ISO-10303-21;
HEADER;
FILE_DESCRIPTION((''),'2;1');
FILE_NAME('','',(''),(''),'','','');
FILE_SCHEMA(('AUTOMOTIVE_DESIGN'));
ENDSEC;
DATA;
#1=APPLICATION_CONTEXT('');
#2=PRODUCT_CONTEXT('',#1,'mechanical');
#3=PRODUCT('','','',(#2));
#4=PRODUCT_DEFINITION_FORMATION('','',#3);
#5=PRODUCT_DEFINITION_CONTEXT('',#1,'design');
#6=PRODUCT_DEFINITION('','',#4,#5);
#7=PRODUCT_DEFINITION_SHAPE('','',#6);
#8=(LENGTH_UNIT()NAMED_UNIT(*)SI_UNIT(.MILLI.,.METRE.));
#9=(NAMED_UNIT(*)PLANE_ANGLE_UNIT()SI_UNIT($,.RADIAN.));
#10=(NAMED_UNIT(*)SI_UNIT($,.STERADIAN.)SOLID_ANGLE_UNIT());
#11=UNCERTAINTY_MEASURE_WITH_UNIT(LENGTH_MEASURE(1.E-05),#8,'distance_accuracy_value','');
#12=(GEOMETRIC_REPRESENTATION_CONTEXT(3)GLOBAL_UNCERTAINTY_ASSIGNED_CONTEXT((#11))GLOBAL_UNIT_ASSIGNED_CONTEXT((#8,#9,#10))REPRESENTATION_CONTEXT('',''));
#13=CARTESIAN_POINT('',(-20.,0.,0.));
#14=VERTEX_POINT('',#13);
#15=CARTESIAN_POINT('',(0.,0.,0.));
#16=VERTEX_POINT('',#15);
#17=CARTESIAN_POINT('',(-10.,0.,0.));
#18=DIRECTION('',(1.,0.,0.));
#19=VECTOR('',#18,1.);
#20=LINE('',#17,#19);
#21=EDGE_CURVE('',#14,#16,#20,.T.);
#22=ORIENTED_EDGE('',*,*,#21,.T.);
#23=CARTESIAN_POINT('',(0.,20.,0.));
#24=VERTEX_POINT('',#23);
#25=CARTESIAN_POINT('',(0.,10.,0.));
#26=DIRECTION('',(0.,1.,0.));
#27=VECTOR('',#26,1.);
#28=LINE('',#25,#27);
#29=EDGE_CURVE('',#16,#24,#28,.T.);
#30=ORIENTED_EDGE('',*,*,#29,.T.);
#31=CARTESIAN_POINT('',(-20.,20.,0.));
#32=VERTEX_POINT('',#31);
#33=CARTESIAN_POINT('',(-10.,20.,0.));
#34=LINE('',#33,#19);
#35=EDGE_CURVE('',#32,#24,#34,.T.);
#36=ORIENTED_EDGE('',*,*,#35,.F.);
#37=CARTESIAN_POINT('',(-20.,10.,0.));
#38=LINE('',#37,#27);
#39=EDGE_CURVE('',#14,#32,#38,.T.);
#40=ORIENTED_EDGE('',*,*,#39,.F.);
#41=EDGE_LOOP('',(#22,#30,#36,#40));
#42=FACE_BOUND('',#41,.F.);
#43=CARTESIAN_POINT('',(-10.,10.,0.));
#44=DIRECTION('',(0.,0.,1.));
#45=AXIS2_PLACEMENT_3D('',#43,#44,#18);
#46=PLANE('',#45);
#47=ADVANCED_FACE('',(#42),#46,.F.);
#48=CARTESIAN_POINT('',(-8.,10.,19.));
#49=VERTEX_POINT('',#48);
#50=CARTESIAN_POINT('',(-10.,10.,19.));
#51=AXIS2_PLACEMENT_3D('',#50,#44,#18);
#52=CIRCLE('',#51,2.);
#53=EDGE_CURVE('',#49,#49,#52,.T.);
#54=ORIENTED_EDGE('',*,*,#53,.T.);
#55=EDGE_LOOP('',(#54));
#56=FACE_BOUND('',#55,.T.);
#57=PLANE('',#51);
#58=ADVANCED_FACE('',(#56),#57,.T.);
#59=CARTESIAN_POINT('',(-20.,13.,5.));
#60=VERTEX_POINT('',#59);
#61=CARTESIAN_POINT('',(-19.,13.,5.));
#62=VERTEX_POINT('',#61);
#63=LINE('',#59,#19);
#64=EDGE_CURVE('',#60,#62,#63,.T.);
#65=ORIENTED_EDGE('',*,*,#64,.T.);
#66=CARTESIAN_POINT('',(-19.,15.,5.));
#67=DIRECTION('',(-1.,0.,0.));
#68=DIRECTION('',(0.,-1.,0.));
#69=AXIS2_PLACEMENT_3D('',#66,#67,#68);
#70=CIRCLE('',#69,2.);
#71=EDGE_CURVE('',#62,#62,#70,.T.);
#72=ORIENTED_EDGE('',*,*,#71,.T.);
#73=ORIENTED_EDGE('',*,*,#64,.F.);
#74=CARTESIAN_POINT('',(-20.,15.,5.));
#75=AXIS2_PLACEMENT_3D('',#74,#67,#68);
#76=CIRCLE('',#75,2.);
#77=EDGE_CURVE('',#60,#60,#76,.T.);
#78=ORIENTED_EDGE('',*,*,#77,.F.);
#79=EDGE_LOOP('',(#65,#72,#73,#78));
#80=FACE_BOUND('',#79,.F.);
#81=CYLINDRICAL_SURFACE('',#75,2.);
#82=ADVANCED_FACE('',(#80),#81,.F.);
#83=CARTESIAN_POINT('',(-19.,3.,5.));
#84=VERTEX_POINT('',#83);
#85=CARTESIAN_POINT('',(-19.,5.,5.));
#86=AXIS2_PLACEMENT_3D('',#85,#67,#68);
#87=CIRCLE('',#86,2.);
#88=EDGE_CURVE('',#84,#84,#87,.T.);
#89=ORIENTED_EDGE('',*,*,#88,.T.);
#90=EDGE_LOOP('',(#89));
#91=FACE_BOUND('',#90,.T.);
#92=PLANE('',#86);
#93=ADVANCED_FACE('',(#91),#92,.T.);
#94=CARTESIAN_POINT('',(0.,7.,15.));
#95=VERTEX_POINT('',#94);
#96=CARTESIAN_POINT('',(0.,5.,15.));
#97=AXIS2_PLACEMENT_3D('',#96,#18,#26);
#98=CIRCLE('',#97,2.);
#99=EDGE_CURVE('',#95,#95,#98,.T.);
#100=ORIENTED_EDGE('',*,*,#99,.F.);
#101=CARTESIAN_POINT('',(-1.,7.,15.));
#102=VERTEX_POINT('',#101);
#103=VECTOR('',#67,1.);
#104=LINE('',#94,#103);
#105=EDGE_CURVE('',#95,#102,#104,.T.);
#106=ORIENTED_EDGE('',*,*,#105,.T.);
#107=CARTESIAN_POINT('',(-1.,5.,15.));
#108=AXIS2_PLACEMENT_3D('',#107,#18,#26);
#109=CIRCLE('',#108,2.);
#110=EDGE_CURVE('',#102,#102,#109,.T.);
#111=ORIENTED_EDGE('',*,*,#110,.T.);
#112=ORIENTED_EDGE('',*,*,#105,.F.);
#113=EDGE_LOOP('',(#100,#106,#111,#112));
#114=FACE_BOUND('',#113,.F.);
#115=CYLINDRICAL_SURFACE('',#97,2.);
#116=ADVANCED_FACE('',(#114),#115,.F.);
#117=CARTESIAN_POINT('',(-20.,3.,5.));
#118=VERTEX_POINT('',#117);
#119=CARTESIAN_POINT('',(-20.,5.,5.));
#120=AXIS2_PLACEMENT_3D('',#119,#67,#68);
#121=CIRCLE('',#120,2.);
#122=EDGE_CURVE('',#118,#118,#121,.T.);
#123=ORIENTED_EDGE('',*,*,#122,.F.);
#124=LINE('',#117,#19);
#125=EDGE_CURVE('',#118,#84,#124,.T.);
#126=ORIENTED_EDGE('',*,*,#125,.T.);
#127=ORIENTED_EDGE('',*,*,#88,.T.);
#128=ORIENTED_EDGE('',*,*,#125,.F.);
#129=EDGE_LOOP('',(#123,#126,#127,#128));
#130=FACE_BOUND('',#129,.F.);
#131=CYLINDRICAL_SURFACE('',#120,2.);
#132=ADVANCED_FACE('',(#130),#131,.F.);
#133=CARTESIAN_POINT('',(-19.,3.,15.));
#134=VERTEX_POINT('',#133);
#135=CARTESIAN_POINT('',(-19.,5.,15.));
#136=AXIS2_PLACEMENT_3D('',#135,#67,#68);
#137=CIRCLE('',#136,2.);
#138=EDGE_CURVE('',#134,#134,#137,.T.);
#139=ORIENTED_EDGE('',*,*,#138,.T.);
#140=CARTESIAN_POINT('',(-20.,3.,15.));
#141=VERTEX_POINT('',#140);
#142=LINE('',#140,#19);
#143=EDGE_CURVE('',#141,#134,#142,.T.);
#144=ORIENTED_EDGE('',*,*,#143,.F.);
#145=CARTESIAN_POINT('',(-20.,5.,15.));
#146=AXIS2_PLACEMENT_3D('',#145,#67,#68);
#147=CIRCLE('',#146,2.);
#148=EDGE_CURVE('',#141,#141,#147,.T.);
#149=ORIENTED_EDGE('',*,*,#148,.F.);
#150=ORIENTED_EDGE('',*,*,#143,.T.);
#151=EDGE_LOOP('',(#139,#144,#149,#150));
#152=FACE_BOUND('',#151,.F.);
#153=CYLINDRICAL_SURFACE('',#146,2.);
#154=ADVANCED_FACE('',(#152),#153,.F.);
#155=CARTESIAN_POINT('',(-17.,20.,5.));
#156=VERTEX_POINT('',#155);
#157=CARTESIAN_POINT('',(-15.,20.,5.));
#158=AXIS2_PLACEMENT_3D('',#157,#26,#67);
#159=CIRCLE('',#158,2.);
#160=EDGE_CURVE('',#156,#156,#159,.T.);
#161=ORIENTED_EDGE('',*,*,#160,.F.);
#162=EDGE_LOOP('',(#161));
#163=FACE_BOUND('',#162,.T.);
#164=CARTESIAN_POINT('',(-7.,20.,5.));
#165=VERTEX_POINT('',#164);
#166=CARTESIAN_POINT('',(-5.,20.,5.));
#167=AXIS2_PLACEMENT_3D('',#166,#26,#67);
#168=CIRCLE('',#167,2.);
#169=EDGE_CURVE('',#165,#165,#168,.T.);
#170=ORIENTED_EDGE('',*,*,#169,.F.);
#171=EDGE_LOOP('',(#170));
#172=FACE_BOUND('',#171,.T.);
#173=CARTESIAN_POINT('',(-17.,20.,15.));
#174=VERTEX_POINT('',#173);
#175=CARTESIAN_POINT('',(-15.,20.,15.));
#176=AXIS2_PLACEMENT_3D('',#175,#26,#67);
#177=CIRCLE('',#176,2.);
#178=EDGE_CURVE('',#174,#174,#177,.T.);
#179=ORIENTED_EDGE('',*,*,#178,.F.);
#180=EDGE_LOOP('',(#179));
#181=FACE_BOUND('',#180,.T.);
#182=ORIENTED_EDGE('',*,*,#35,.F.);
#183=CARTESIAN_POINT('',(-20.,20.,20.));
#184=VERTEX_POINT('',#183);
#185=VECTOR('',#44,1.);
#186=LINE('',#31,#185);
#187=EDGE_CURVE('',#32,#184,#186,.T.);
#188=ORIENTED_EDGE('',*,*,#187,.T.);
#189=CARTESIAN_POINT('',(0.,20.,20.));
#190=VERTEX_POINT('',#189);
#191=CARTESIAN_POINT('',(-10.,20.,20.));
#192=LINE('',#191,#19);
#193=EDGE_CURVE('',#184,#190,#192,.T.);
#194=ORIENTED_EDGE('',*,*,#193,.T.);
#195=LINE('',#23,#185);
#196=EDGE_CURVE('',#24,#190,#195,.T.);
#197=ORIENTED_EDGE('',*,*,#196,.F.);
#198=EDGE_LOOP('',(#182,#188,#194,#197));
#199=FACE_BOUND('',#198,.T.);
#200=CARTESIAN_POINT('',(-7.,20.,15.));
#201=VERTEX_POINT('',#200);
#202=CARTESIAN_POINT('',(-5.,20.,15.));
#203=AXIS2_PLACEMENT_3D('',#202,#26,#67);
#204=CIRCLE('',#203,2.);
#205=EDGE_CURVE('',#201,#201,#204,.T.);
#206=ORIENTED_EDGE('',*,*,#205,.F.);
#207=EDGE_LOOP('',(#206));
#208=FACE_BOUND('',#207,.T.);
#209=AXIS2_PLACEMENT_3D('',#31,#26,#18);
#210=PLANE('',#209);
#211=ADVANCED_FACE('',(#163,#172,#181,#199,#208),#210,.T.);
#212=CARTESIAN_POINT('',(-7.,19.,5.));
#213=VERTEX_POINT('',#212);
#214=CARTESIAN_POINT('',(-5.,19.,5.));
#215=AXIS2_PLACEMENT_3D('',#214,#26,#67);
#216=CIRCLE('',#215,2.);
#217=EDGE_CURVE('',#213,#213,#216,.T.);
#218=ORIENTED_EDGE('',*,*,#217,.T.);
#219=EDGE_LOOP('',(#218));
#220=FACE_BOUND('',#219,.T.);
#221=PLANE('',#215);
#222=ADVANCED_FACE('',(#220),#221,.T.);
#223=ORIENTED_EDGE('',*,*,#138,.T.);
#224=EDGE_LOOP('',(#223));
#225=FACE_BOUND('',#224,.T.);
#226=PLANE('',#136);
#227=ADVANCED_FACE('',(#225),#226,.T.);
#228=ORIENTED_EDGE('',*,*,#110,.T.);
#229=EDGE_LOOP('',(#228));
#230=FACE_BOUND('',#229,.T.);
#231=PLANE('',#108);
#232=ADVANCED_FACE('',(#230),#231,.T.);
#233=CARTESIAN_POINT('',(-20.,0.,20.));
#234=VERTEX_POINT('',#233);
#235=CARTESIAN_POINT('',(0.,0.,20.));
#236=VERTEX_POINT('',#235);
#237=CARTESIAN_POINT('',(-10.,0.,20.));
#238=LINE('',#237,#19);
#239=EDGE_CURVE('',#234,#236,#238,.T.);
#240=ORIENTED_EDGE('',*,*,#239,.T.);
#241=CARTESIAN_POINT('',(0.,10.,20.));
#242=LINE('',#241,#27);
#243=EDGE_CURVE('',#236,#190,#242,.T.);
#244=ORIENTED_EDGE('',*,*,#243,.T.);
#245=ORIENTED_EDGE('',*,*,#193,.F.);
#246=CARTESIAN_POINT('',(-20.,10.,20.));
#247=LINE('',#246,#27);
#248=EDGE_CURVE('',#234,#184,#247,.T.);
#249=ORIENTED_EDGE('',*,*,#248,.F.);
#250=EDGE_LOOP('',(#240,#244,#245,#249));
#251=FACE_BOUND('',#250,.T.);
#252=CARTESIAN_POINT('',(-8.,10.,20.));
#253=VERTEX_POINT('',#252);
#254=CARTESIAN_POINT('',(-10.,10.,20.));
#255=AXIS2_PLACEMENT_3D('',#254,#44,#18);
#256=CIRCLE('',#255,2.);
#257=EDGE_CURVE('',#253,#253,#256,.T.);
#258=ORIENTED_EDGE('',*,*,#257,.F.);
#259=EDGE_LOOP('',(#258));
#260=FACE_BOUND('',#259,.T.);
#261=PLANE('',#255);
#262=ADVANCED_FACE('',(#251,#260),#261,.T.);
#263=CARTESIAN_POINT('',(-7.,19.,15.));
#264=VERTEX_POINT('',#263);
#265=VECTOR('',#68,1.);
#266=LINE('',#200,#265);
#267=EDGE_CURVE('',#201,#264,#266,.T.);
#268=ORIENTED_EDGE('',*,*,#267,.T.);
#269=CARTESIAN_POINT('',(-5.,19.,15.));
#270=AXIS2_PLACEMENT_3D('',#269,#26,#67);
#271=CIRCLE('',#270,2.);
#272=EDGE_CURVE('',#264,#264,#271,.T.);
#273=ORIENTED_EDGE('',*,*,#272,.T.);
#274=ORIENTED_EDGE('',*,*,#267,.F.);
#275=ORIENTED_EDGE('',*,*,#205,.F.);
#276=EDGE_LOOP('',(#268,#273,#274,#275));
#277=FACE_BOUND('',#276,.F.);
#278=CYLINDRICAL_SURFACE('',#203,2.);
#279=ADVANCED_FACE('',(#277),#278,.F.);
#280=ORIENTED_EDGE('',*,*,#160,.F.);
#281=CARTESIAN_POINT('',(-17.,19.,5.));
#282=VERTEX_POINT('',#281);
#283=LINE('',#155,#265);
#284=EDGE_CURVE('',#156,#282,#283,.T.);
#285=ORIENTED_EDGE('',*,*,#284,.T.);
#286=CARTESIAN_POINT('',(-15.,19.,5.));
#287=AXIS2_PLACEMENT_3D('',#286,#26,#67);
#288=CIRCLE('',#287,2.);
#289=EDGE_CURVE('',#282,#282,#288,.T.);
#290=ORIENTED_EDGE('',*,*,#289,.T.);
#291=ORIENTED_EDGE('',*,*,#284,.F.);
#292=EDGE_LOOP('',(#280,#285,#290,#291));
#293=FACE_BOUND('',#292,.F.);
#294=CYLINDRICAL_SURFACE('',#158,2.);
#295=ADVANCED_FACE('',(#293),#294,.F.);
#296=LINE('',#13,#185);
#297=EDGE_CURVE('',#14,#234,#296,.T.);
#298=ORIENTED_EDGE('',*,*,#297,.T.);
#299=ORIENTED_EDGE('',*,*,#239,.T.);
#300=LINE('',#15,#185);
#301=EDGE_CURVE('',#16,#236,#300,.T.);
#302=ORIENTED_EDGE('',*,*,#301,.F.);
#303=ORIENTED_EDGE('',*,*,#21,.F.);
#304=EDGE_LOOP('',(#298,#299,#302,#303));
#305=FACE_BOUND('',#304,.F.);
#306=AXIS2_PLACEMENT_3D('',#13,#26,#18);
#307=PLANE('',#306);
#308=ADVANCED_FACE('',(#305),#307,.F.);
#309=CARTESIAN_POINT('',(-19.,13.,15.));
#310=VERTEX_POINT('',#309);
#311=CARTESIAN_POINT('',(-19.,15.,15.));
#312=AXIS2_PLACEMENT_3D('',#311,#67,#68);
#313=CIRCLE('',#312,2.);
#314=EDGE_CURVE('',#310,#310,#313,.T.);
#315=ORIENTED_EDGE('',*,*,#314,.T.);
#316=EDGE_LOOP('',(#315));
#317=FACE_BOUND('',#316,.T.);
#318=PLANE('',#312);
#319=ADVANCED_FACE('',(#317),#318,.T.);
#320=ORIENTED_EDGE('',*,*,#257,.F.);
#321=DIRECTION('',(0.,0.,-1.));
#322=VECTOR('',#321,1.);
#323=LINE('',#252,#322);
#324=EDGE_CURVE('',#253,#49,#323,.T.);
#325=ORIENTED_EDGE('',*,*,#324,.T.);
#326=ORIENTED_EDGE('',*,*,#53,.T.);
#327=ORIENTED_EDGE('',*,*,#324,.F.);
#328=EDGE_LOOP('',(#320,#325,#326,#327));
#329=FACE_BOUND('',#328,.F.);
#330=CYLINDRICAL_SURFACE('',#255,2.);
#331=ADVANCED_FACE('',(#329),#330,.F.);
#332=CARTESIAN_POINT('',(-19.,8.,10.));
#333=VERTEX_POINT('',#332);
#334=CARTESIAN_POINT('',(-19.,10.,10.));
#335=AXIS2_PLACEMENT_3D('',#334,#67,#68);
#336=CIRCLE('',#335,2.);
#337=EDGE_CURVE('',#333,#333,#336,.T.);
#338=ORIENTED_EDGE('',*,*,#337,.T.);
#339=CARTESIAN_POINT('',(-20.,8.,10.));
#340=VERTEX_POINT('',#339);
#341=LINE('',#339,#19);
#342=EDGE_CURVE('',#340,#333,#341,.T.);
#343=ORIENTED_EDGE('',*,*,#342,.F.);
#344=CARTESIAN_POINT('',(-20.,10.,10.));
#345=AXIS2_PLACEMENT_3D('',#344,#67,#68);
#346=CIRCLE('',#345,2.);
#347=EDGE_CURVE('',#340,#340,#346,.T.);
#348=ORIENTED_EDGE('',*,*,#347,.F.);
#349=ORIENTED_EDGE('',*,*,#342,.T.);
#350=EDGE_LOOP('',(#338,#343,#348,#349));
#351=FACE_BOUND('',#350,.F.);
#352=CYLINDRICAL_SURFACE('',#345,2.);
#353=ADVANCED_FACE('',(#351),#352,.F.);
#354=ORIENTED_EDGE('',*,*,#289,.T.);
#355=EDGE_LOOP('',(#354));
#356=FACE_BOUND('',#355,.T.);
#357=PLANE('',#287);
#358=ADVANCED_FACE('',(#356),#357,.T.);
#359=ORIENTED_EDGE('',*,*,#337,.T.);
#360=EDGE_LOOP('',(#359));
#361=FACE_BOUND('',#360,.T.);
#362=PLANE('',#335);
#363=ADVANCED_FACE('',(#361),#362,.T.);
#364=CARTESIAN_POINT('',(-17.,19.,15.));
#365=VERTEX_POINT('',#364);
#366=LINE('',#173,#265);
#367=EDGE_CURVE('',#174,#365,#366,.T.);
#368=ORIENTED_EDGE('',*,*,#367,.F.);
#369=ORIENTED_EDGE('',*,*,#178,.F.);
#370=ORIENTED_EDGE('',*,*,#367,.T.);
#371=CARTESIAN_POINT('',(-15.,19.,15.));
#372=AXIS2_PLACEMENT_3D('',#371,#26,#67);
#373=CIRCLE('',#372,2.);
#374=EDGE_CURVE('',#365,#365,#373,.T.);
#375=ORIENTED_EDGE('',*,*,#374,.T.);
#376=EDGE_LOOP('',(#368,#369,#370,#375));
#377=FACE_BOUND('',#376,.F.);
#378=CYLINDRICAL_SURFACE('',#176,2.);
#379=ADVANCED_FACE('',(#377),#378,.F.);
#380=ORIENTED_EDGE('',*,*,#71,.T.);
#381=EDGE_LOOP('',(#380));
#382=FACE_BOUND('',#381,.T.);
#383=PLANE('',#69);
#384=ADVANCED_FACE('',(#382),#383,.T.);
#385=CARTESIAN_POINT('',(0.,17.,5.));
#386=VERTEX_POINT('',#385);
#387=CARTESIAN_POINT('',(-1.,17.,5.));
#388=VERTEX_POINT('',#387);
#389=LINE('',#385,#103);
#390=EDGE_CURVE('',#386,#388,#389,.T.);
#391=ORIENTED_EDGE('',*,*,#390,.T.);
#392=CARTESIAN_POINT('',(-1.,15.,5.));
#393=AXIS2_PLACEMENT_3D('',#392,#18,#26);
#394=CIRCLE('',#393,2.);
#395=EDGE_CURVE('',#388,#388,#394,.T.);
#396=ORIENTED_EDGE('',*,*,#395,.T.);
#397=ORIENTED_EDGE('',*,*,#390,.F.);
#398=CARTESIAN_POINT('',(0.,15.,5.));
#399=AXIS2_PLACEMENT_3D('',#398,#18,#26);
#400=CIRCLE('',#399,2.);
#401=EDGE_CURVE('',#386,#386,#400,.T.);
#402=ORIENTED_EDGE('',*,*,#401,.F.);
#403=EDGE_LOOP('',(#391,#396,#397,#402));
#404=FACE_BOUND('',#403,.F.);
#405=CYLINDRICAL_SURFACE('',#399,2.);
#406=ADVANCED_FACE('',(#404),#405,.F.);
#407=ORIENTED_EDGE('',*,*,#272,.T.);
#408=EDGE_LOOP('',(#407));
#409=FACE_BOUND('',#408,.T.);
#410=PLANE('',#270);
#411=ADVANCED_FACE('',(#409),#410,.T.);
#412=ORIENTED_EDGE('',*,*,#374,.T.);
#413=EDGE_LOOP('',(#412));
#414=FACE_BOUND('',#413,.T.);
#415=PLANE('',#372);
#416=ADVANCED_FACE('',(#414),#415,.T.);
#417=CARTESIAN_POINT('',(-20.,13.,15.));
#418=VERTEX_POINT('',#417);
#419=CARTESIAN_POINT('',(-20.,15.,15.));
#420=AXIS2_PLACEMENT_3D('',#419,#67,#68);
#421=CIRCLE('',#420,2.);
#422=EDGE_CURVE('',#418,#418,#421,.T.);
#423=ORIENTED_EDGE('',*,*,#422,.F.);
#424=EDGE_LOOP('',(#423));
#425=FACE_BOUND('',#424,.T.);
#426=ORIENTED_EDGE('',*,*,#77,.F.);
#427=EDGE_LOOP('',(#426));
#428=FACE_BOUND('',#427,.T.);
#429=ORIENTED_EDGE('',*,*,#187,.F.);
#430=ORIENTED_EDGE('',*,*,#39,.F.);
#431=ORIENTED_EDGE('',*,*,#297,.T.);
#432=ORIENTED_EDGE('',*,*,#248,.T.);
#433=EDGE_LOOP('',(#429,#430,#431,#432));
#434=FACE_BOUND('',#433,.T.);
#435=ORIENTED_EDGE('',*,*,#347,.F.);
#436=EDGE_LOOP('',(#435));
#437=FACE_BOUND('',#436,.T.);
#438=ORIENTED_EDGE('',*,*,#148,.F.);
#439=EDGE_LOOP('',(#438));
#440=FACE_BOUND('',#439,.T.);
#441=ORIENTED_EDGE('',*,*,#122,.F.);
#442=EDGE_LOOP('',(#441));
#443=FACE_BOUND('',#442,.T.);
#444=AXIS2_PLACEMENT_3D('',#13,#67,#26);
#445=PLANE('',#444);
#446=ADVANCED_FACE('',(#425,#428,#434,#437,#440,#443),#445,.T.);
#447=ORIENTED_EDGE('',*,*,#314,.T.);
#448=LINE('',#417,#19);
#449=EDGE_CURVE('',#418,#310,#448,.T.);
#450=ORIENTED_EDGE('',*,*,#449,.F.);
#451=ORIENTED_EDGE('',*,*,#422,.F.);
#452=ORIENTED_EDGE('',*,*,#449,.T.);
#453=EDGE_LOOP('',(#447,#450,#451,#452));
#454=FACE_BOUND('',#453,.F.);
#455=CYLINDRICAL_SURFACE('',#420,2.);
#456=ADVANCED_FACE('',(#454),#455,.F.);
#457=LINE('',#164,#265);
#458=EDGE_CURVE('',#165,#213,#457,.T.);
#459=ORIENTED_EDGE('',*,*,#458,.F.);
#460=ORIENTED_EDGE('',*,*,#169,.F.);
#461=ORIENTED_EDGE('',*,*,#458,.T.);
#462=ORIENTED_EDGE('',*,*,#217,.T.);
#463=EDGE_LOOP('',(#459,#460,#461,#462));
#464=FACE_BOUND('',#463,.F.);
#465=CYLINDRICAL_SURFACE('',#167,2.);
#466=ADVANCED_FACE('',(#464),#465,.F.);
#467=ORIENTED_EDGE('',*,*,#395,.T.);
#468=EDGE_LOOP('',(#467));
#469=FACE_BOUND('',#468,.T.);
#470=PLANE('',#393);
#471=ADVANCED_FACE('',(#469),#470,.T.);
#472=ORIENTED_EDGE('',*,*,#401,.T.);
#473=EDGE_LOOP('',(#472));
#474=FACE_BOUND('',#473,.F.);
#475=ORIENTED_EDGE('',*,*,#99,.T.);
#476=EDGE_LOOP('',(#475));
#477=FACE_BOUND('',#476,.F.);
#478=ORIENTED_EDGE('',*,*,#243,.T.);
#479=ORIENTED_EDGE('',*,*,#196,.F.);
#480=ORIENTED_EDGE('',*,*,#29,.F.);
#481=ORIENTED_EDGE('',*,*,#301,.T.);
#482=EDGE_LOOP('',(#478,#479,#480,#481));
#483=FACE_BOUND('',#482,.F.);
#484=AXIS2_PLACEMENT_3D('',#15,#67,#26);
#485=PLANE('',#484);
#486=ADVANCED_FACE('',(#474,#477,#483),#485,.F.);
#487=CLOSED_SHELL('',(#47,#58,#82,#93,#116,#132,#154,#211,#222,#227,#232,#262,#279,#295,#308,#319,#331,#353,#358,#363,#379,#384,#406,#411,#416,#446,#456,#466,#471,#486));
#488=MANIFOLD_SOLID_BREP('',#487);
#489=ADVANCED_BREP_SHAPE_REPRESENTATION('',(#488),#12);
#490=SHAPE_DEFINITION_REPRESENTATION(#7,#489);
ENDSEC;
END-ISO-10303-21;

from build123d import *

# Parameters (mm, degrees)
F0_W     = 20
F0_H     = 20
F1_DEPTH = 20
F2_R     = 2
F4_DEPTH = 1
F3_R     = 2
F5_DEPTH = 1
F6_R     = 2
F7_DEPTH = 1
F8_R     = 2
F9_DEPTH = 1


with BuildPart() as f1:
    # F0 (on Top) → F1 (new body)
    with BuildSketch(Plane.XY):
        with Locations((-10, 10)):
            Rectangle(F0_W, F0_H)
    extrude(amount=F1_DEPTH)

    # F2 (on face) → F4 (cut)
    with BuildSketch(Plane.XY.offset(20)):
        with Locations((-10, 10)):
            Circle(F2_R)
    extrude(amount=-F4_DEPTH, mode=Mode.SUBTRACT)

    # F3 (on face) → F5 (cut)
    with BuildSketch(Plane.YZ):
        with Locations((15, 5)):
            Circle(F3_R)
        with Locations((5, 15)):
            Circle(F3_R)
    extrude(amount=-F5_DEPTH, mode=Mode.SUBTRACT)

    # F6 (on face) → F7 (cut)
    with BuildSketch(Plane(origin=(0, 20, 0), x_dir=(-1, 0, 0), z_dir=(0, 1, 0))):
        with Locations((15, 5)):
            Circle(F6_R)
        with Locations((5, 5)):
            Circle(F6_R)
        with Locations((5, 15)):
            Circle(F6_R)
        with Locations((15, 15)):
            Circle(F6_R)
    extrude(amount=-F7_DEPTH, mode=Mode.SUBTRACT)

    # F8 (on face) → F9 (cut)
    with BuildSketch(Plane(origin=(-20, 0, 0), x_dir=(0, -1, 0), z_dir=(-1, 0, 0))):
        with Locations((-10, 10)):
            Circle(F8_R)
        with Locations((-5, 15)):
            Circle(F8_R)
        with Locations((-5, 5)):
            Circle(F8_R)
        with Locations((-15, 5)):
            Circle(F8_R)
        with Locations((-15, 15)):
            Circle(F8_R)
    extrude(amount=-F9_DEPTH, mode=Mode.SUBTRACT)


solid = f1.part
